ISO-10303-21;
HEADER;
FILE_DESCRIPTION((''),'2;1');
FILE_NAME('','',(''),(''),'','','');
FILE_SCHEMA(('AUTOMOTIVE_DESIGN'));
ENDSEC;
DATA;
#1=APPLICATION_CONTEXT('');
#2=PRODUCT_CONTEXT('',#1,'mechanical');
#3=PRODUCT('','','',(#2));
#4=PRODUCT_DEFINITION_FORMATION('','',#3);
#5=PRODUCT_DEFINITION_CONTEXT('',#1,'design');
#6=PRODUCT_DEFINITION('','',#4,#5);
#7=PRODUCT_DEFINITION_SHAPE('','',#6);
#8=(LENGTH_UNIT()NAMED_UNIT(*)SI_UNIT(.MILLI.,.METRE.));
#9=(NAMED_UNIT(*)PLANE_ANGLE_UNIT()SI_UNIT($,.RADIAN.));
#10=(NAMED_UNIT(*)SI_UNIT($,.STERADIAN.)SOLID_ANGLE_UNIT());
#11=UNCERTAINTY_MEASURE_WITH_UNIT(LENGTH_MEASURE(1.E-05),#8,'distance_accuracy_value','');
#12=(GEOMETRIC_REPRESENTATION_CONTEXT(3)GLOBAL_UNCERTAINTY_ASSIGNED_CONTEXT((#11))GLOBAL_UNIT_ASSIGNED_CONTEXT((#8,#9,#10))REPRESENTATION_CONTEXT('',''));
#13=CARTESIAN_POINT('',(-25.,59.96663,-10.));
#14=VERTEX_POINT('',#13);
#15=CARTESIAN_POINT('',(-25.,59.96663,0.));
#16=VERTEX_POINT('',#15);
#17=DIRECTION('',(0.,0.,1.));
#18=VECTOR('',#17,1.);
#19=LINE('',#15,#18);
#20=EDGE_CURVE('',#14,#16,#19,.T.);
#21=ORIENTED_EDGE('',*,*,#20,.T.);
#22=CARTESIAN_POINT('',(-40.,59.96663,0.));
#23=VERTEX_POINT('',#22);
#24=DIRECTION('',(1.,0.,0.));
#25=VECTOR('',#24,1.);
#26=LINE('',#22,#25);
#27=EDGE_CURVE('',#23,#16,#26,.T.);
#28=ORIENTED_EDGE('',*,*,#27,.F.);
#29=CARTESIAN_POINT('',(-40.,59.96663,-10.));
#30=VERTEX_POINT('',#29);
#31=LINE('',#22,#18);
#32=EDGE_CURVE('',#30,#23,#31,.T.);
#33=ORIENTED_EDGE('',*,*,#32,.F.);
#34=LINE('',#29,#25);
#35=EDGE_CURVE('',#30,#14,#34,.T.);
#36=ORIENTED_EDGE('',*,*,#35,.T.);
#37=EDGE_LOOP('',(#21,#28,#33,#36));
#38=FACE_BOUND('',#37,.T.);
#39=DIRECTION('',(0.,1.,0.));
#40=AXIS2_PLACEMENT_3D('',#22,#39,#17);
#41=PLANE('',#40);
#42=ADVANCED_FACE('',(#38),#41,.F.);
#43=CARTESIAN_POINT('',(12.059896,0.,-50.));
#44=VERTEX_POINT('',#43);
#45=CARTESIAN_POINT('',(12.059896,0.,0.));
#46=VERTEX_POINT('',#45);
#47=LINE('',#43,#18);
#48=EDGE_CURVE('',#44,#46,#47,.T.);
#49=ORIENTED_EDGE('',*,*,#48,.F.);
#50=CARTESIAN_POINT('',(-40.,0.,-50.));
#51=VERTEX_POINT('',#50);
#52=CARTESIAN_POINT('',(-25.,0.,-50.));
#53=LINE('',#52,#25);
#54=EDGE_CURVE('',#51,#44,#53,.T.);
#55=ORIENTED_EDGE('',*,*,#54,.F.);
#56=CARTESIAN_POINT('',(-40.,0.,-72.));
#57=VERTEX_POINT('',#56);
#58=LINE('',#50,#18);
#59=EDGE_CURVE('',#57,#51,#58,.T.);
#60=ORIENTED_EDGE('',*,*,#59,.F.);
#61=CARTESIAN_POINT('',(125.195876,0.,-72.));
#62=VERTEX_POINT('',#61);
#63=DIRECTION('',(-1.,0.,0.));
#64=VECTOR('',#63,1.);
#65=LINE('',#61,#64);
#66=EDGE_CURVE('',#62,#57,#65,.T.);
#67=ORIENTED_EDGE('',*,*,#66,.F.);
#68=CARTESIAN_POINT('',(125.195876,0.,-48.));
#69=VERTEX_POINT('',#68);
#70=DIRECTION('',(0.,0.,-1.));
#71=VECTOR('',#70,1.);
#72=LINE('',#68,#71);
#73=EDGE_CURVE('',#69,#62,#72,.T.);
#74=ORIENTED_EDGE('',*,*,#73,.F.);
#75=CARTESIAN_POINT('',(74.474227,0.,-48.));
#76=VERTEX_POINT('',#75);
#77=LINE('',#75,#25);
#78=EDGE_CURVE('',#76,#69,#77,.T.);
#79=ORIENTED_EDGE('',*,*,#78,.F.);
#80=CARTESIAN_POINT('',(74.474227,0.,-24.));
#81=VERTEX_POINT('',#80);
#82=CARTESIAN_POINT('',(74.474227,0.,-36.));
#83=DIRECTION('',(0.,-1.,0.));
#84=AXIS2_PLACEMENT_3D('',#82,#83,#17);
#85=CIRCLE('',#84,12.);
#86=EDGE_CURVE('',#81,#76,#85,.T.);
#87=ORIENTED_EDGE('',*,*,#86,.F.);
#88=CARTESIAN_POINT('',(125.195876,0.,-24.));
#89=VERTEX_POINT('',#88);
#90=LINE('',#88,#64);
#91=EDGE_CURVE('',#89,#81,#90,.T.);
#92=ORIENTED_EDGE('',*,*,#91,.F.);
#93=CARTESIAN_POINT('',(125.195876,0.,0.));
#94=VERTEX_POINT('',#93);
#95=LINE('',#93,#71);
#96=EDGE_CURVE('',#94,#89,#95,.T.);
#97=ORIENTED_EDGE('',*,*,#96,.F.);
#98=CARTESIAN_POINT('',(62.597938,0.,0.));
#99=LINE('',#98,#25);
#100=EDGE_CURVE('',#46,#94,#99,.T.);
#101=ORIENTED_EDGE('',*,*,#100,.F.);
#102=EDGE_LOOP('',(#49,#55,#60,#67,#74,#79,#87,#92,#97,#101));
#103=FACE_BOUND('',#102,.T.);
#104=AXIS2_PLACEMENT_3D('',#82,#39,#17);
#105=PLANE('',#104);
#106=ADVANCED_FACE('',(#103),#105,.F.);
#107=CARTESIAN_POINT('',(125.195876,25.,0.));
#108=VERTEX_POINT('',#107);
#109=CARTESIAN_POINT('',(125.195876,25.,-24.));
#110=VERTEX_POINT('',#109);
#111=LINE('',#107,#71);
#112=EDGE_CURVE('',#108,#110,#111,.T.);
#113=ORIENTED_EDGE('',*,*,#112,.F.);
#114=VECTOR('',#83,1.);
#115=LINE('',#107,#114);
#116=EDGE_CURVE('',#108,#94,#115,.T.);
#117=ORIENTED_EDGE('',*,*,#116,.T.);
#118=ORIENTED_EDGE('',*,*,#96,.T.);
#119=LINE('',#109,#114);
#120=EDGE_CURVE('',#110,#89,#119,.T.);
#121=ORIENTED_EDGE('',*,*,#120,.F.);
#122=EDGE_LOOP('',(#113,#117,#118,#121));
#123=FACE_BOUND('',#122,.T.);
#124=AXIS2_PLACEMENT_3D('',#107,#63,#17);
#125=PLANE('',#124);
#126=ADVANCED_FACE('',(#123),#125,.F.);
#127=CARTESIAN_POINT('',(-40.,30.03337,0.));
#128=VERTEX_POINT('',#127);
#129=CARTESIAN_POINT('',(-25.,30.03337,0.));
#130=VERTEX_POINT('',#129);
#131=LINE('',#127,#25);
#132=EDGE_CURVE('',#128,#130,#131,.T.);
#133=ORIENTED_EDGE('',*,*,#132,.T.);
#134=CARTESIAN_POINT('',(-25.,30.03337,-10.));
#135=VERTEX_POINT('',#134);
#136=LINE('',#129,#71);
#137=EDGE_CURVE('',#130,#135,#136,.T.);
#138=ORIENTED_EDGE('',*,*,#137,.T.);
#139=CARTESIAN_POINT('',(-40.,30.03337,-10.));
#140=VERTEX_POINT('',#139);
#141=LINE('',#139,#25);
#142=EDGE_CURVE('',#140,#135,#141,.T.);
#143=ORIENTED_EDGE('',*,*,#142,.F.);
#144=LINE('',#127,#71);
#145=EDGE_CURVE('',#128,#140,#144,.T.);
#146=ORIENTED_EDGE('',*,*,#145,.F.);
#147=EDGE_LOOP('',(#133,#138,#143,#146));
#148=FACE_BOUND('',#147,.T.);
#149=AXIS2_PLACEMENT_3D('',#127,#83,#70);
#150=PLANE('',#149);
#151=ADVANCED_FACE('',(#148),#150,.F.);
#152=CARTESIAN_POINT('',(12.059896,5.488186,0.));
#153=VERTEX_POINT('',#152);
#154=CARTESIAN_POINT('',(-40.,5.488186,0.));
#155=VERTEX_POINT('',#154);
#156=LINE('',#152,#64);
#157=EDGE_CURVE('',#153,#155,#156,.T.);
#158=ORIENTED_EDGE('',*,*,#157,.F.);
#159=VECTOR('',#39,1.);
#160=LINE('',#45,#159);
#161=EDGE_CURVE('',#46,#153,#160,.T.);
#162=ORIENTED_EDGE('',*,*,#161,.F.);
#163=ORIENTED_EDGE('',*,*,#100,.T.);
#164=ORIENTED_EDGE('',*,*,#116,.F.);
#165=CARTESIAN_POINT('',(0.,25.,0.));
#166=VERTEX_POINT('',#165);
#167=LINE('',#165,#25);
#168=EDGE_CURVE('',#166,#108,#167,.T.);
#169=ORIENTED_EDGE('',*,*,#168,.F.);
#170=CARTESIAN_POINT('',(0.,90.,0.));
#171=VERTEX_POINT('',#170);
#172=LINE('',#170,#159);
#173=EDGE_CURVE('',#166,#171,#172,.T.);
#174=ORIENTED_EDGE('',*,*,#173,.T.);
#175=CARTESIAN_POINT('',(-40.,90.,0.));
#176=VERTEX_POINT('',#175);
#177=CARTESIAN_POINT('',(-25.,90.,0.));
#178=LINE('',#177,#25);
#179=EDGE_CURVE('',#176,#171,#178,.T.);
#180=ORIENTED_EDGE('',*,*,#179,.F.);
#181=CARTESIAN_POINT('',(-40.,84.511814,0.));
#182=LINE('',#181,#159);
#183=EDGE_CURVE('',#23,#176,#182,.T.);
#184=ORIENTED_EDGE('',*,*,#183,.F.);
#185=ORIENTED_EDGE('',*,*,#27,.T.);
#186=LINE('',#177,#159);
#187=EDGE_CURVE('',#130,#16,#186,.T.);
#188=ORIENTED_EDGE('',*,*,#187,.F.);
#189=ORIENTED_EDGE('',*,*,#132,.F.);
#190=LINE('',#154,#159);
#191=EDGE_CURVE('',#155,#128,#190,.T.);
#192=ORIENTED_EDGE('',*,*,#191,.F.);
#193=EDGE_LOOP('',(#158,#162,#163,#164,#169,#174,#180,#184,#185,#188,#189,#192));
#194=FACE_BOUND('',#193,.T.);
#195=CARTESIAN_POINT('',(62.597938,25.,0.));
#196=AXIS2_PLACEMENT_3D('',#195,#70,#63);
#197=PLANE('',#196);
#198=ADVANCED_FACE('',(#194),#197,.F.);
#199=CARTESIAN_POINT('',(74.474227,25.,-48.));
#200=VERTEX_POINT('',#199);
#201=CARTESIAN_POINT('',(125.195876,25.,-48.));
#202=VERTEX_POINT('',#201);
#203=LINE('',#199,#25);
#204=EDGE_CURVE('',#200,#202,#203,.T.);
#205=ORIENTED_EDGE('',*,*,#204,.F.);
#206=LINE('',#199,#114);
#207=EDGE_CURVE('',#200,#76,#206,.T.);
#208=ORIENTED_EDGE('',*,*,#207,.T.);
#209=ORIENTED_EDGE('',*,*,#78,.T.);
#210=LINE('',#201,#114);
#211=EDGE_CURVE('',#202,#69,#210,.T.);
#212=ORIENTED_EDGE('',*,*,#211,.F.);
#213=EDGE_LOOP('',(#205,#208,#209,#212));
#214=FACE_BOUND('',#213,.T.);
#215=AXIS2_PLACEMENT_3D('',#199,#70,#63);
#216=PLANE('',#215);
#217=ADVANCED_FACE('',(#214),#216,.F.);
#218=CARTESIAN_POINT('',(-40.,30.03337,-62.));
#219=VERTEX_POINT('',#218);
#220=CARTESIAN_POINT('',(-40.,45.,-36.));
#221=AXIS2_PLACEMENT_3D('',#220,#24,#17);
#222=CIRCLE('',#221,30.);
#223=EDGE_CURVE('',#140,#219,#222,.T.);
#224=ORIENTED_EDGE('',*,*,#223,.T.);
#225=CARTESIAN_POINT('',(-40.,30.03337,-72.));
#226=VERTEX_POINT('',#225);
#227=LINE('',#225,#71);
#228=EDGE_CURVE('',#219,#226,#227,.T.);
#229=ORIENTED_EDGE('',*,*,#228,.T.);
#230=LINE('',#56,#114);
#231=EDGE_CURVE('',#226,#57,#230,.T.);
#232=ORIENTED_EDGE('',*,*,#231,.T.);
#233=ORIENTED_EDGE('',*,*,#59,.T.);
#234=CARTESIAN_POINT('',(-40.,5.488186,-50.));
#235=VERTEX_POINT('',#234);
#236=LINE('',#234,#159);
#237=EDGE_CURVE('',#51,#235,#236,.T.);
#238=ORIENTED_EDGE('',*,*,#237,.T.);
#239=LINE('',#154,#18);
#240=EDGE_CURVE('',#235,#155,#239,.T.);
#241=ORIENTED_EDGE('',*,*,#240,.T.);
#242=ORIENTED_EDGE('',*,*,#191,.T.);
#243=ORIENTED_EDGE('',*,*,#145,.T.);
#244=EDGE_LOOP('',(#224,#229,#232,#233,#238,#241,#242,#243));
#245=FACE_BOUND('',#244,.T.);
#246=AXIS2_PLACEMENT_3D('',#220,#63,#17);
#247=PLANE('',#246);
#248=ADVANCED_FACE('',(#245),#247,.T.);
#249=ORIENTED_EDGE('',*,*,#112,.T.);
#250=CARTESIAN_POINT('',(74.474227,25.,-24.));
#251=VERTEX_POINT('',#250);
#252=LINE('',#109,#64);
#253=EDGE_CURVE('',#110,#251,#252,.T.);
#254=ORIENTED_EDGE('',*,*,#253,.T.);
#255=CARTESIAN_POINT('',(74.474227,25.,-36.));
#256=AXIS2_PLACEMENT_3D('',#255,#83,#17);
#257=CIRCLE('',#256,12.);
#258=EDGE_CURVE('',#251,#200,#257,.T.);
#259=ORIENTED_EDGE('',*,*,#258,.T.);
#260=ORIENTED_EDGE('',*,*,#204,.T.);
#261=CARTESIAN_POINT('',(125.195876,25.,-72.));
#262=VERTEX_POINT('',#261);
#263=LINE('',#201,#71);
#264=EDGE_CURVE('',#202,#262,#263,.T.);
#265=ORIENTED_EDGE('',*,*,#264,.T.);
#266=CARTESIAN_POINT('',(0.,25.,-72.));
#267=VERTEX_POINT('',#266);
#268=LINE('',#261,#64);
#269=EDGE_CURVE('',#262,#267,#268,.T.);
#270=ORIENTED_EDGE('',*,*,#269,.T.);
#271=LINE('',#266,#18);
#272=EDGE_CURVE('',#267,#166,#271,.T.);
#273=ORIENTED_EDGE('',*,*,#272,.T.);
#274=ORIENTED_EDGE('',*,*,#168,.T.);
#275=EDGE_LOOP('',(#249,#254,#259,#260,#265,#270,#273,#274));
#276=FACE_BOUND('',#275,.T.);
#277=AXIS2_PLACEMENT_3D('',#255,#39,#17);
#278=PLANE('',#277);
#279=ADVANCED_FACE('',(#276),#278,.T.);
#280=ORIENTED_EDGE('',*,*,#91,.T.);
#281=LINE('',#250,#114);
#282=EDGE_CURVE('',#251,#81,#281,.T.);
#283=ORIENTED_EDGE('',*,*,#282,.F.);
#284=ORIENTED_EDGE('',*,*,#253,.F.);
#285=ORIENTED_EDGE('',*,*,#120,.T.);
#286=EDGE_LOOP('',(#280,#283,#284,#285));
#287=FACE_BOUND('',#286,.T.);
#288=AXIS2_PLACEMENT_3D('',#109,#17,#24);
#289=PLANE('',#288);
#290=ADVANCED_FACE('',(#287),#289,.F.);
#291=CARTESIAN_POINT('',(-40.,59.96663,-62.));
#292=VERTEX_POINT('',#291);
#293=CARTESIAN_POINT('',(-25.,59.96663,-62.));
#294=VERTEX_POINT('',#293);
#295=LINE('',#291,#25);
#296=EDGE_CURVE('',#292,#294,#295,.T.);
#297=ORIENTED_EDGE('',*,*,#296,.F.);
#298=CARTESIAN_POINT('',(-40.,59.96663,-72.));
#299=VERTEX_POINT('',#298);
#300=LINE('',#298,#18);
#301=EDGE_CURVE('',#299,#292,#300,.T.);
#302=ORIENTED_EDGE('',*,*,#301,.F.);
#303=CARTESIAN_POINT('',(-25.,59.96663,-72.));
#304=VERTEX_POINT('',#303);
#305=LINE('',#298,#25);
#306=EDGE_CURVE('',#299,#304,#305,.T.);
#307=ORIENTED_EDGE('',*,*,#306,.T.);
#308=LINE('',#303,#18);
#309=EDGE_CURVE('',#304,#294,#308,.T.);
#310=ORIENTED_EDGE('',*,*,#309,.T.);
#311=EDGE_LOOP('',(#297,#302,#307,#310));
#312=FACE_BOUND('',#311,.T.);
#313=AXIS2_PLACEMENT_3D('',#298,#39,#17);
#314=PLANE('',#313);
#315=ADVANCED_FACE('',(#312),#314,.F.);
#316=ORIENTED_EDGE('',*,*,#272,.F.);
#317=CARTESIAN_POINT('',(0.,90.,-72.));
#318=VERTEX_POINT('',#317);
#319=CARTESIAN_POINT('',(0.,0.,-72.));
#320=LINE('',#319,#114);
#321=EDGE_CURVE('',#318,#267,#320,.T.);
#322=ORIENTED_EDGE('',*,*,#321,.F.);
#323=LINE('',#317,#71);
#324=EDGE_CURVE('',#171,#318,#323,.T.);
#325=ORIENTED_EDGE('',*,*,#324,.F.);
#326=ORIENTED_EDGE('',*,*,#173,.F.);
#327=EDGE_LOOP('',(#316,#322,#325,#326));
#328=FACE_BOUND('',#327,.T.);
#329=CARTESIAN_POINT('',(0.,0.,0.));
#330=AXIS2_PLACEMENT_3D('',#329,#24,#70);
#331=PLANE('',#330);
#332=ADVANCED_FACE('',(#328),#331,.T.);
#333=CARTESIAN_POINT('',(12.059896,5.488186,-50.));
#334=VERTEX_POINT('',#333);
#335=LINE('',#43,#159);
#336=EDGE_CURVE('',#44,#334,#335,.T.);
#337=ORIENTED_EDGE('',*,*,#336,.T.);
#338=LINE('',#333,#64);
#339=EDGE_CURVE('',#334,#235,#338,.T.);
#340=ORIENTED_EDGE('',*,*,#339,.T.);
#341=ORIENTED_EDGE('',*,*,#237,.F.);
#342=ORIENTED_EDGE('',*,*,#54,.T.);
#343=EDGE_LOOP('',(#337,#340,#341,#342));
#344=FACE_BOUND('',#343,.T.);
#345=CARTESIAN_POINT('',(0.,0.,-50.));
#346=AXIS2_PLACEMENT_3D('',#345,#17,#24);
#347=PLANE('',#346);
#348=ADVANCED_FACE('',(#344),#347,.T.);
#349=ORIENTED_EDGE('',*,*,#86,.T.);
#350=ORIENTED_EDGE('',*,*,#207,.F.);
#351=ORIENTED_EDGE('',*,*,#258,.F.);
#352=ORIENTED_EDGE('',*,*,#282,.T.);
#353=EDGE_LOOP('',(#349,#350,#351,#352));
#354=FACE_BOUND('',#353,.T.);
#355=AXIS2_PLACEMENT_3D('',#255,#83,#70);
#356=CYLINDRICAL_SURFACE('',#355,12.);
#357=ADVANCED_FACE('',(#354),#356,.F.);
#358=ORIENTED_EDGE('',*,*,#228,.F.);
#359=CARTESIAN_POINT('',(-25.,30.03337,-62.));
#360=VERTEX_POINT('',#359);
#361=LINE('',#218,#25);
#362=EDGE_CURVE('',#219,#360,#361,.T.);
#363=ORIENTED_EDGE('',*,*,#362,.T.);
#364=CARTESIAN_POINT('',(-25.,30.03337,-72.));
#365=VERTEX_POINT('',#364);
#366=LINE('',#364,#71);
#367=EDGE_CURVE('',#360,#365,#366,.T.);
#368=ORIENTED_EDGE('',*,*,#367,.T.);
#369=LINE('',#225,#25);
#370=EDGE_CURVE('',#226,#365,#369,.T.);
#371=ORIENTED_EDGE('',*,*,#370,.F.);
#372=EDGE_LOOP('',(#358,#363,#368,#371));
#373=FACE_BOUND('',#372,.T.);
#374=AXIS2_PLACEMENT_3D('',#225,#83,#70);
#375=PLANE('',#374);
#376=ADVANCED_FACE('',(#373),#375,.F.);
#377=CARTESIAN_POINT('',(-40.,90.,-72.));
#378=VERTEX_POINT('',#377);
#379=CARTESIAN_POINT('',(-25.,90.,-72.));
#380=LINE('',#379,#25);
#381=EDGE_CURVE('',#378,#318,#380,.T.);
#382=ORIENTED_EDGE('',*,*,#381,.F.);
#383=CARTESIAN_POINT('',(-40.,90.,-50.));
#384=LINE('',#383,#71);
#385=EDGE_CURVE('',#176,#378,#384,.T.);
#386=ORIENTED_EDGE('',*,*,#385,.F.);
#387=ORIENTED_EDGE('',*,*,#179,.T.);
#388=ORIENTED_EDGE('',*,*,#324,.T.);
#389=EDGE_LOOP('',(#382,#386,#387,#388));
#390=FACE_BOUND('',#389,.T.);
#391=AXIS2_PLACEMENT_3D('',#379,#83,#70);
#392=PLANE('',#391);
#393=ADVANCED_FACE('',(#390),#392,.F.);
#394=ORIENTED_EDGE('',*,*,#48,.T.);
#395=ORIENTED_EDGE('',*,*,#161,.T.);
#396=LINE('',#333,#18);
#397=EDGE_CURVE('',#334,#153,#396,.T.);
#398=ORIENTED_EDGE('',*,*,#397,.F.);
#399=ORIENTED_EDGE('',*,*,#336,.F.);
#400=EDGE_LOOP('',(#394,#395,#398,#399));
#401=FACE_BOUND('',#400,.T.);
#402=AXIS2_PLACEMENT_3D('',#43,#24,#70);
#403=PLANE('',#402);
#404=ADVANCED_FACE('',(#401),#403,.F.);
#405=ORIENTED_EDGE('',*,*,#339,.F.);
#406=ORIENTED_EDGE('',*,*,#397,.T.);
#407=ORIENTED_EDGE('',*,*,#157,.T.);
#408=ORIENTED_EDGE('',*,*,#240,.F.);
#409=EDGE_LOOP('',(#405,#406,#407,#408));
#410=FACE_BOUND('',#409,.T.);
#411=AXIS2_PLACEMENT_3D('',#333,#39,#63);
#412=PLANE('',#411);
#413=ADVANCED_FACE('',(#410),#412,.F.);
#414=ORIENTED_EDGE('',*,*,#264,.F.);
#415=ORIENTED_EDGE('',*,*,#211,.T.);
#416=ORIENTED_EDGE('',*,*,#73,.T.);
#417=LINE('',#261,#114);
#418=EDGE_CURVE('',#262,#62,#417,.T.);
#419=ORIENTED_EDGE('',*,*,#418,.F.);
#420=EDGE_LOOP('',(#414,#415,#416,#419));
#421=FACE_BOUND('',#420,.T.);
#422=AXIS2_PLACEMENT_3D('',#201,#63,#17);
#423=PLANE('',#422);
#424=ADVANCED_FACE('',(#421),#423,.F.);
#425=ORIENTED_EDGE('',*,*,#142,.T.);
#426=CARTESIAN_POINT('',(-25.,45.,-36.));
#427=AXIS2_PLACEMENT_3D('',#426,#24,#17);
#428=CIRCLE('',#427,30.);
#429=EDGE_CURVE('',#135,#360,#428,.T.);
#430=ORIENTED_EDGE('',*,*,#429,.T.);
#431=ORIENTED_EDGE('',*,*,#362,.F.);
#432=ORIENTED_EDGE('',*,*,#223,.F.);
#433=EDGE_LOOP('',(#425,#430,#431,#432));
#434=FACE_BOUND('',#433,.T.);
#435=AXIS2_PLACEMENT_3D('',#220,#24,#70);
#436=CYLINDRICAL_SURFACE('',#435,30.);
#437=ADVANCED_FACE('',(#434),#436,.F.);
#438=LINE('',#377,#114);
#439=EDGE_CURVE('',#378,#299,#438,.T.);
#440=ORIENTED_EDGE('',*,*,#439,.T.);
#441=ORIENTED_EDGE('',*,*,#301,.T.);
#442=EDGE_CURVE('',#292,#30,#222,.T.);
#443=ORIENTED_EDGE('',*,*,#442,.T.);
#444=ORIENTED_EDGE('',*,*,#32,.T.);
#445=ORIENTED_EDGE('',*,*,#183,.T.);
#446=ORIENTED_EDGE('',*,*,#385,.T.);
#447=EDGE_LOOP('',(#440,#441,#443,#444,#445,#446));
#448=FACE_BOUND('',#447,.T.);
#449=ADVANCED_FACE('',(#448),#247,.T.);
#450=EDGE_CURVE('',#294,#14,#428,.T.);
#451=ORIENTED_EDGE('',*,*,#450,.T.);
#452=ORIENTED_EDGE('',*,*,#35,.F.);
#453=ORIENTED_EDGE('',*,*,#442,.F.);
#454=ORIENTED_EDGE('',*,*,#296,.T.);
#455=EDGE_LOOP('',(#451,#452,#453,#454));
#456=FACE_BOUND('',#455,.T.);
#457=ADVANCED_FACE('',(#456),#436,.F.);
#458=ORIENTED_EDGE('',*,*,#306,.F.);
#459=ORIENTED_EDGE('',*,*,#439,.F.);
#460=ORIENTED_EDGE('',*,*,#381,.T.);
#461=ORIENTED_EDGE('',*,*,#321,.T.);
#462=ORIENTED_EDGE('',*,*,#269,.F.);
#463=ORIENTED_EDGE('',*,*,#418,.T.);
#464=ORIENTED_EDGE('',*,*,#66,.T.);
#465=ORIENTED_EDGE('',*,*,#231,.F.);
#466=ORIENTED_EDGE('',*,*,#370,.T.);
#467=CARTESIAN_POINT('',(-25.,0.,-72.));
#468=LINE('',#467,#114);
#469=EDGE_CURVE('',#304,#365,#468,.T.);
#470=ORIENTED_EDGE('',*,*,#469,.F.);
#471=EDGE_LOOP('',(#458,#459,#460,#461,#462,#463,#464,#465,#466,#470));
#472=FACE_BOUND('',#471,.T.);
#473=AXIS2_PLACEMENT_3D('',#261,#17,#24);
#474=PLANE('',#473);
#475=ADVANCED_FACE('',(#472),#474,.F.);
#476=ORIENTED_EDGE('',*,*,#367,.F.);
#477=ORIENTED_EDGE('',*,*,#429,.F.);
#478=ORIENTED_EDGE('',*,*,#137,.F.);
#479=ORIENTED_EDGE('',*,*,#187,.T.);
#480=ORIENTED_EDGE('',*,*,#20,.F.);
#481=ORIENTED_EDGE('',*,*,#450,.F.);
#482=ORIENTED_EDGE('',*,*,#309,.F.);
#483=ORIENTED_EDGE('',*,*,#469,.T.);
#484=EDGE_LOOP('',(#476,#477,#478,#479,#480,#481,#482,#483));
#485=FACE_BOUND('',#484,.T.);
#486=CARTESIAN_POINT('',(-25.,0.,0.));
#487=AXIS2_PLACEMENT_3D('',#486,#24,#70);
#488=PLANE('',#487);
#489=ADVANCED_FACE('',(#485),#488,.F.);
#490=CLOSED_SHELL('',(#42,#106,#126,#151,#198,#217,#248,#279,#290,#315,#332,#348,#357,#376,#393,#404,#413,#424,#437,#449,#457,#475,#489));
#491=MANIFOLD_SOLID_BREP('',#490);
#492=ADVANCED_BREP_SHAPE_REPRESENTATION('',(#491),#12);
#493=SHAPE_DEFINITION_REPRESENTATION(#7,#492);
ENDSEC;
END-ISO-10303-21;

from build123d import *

# Parameters (mm, degrees)
BOSS_EXTRUDE1_DEPTH = 25
SKETCH3_W           = 72
SKETCH3_H           = 90
BOSS_EXTRUDE2_DEPTH = 25
SKETCH4_W           = 37.059895825
SKETCH4_H           = 5.488186397
CUT_EXTRUDE1_DEPTH  = 50
BOSS_EXTRUDE3_DEPTH = 15


with BuildPart() as part:
    # Sketch2 → Boss-Extrude1 (new body)
    with BuildSketch(Plane(origin=(0, 0, 0), x_dir=(1, 0, 0), z_dir=(0, 1, 0))):
        with BuildLine():
            Line((0, 0), (62.597938144, 0))
            Line((62.597938144, 0), (125.195876289, 0))
            Line((125.195876289, 0), (125.195876289, 24))
            Line((125.195876289, 24), (74.474226804, 24))
            ThreePointArc((74.474226804, 24), (62.474226804, 36), (74.474226804, 48))
            Line((74.474226804, 48), (125.195876289, 48))
            Line((125.195876289, 48), (125.195876289, 72))
            Line((125.195876289, 72), (0, 72))
            Line((0, 72), (0, 0))
        make_face()
    extrude(amount=BOSS_EXTRUDE1_DEPTH)

    # Sketch3 → Boss-Extrude2 (add)
    with BuildSketch(Plane.ZY):
        with Locations((-36, 45)):
            Rectangle(SKETCH3_W, SKETCH3_H)
    extrude(amount=BOSS_EXTRUDE2_DEPTH)

    # Sketch4 → Cut-Extrude1 (cut)
    with BuildSketch(Plane.XY):
        with Locations((-6.470052088, 2.744093199)):
            Rectangle(SKETCH4_W, SKETCH4_H)
    extrude(amount=-CUT_EXTRUDE1_DEPTH, mode=Mode.SUBTRACT)

    # Sketch5 → Boss-Extrude3 (add)
    with BuildSketch(Plane.ZY.offset(25)):
        with BuildLine():
            Line((0, 5.488186397), (-50, 5.488186397))
            Line((-50, 5.488186397), (-50, 0))
            Line((-50, 0), (-72, 0))
            Line((-72, 0), (-72, 30.033370453))
            Line((-72, 30.033370453), (-62, 30.033370453))
            ThreePointArc((-62, 30.033370453), (-36, 15), (-10, 30.033370453))
            Line((-10, 30.033370453), (0, 30.033370453))
            Line((0, 30.033370453), (0, 5.488186397))
        make_face()
        with BuildLine():
            Line((-50, 90), (0, 90))
            Line((0, 90), (0, 84.511813603))
            Line((0, 84.511813603), (0, 59.966629547))
            Line((0, 59.966629547), (-10, 59.966629547))
            ThreePointArc((-10, 59.966629547), (-36, 75), (-62, 59.966629547))
            Line((-62, 59.966629547), (-72, 59.966629547))
            Line((-72, 59.966629547), (-72, 90))
            Line((-72, 90), (-50, 90))
        make_face()
    extrude(amount=BOSS_EXTRUDE3_DEPTH)


solid = part.part
